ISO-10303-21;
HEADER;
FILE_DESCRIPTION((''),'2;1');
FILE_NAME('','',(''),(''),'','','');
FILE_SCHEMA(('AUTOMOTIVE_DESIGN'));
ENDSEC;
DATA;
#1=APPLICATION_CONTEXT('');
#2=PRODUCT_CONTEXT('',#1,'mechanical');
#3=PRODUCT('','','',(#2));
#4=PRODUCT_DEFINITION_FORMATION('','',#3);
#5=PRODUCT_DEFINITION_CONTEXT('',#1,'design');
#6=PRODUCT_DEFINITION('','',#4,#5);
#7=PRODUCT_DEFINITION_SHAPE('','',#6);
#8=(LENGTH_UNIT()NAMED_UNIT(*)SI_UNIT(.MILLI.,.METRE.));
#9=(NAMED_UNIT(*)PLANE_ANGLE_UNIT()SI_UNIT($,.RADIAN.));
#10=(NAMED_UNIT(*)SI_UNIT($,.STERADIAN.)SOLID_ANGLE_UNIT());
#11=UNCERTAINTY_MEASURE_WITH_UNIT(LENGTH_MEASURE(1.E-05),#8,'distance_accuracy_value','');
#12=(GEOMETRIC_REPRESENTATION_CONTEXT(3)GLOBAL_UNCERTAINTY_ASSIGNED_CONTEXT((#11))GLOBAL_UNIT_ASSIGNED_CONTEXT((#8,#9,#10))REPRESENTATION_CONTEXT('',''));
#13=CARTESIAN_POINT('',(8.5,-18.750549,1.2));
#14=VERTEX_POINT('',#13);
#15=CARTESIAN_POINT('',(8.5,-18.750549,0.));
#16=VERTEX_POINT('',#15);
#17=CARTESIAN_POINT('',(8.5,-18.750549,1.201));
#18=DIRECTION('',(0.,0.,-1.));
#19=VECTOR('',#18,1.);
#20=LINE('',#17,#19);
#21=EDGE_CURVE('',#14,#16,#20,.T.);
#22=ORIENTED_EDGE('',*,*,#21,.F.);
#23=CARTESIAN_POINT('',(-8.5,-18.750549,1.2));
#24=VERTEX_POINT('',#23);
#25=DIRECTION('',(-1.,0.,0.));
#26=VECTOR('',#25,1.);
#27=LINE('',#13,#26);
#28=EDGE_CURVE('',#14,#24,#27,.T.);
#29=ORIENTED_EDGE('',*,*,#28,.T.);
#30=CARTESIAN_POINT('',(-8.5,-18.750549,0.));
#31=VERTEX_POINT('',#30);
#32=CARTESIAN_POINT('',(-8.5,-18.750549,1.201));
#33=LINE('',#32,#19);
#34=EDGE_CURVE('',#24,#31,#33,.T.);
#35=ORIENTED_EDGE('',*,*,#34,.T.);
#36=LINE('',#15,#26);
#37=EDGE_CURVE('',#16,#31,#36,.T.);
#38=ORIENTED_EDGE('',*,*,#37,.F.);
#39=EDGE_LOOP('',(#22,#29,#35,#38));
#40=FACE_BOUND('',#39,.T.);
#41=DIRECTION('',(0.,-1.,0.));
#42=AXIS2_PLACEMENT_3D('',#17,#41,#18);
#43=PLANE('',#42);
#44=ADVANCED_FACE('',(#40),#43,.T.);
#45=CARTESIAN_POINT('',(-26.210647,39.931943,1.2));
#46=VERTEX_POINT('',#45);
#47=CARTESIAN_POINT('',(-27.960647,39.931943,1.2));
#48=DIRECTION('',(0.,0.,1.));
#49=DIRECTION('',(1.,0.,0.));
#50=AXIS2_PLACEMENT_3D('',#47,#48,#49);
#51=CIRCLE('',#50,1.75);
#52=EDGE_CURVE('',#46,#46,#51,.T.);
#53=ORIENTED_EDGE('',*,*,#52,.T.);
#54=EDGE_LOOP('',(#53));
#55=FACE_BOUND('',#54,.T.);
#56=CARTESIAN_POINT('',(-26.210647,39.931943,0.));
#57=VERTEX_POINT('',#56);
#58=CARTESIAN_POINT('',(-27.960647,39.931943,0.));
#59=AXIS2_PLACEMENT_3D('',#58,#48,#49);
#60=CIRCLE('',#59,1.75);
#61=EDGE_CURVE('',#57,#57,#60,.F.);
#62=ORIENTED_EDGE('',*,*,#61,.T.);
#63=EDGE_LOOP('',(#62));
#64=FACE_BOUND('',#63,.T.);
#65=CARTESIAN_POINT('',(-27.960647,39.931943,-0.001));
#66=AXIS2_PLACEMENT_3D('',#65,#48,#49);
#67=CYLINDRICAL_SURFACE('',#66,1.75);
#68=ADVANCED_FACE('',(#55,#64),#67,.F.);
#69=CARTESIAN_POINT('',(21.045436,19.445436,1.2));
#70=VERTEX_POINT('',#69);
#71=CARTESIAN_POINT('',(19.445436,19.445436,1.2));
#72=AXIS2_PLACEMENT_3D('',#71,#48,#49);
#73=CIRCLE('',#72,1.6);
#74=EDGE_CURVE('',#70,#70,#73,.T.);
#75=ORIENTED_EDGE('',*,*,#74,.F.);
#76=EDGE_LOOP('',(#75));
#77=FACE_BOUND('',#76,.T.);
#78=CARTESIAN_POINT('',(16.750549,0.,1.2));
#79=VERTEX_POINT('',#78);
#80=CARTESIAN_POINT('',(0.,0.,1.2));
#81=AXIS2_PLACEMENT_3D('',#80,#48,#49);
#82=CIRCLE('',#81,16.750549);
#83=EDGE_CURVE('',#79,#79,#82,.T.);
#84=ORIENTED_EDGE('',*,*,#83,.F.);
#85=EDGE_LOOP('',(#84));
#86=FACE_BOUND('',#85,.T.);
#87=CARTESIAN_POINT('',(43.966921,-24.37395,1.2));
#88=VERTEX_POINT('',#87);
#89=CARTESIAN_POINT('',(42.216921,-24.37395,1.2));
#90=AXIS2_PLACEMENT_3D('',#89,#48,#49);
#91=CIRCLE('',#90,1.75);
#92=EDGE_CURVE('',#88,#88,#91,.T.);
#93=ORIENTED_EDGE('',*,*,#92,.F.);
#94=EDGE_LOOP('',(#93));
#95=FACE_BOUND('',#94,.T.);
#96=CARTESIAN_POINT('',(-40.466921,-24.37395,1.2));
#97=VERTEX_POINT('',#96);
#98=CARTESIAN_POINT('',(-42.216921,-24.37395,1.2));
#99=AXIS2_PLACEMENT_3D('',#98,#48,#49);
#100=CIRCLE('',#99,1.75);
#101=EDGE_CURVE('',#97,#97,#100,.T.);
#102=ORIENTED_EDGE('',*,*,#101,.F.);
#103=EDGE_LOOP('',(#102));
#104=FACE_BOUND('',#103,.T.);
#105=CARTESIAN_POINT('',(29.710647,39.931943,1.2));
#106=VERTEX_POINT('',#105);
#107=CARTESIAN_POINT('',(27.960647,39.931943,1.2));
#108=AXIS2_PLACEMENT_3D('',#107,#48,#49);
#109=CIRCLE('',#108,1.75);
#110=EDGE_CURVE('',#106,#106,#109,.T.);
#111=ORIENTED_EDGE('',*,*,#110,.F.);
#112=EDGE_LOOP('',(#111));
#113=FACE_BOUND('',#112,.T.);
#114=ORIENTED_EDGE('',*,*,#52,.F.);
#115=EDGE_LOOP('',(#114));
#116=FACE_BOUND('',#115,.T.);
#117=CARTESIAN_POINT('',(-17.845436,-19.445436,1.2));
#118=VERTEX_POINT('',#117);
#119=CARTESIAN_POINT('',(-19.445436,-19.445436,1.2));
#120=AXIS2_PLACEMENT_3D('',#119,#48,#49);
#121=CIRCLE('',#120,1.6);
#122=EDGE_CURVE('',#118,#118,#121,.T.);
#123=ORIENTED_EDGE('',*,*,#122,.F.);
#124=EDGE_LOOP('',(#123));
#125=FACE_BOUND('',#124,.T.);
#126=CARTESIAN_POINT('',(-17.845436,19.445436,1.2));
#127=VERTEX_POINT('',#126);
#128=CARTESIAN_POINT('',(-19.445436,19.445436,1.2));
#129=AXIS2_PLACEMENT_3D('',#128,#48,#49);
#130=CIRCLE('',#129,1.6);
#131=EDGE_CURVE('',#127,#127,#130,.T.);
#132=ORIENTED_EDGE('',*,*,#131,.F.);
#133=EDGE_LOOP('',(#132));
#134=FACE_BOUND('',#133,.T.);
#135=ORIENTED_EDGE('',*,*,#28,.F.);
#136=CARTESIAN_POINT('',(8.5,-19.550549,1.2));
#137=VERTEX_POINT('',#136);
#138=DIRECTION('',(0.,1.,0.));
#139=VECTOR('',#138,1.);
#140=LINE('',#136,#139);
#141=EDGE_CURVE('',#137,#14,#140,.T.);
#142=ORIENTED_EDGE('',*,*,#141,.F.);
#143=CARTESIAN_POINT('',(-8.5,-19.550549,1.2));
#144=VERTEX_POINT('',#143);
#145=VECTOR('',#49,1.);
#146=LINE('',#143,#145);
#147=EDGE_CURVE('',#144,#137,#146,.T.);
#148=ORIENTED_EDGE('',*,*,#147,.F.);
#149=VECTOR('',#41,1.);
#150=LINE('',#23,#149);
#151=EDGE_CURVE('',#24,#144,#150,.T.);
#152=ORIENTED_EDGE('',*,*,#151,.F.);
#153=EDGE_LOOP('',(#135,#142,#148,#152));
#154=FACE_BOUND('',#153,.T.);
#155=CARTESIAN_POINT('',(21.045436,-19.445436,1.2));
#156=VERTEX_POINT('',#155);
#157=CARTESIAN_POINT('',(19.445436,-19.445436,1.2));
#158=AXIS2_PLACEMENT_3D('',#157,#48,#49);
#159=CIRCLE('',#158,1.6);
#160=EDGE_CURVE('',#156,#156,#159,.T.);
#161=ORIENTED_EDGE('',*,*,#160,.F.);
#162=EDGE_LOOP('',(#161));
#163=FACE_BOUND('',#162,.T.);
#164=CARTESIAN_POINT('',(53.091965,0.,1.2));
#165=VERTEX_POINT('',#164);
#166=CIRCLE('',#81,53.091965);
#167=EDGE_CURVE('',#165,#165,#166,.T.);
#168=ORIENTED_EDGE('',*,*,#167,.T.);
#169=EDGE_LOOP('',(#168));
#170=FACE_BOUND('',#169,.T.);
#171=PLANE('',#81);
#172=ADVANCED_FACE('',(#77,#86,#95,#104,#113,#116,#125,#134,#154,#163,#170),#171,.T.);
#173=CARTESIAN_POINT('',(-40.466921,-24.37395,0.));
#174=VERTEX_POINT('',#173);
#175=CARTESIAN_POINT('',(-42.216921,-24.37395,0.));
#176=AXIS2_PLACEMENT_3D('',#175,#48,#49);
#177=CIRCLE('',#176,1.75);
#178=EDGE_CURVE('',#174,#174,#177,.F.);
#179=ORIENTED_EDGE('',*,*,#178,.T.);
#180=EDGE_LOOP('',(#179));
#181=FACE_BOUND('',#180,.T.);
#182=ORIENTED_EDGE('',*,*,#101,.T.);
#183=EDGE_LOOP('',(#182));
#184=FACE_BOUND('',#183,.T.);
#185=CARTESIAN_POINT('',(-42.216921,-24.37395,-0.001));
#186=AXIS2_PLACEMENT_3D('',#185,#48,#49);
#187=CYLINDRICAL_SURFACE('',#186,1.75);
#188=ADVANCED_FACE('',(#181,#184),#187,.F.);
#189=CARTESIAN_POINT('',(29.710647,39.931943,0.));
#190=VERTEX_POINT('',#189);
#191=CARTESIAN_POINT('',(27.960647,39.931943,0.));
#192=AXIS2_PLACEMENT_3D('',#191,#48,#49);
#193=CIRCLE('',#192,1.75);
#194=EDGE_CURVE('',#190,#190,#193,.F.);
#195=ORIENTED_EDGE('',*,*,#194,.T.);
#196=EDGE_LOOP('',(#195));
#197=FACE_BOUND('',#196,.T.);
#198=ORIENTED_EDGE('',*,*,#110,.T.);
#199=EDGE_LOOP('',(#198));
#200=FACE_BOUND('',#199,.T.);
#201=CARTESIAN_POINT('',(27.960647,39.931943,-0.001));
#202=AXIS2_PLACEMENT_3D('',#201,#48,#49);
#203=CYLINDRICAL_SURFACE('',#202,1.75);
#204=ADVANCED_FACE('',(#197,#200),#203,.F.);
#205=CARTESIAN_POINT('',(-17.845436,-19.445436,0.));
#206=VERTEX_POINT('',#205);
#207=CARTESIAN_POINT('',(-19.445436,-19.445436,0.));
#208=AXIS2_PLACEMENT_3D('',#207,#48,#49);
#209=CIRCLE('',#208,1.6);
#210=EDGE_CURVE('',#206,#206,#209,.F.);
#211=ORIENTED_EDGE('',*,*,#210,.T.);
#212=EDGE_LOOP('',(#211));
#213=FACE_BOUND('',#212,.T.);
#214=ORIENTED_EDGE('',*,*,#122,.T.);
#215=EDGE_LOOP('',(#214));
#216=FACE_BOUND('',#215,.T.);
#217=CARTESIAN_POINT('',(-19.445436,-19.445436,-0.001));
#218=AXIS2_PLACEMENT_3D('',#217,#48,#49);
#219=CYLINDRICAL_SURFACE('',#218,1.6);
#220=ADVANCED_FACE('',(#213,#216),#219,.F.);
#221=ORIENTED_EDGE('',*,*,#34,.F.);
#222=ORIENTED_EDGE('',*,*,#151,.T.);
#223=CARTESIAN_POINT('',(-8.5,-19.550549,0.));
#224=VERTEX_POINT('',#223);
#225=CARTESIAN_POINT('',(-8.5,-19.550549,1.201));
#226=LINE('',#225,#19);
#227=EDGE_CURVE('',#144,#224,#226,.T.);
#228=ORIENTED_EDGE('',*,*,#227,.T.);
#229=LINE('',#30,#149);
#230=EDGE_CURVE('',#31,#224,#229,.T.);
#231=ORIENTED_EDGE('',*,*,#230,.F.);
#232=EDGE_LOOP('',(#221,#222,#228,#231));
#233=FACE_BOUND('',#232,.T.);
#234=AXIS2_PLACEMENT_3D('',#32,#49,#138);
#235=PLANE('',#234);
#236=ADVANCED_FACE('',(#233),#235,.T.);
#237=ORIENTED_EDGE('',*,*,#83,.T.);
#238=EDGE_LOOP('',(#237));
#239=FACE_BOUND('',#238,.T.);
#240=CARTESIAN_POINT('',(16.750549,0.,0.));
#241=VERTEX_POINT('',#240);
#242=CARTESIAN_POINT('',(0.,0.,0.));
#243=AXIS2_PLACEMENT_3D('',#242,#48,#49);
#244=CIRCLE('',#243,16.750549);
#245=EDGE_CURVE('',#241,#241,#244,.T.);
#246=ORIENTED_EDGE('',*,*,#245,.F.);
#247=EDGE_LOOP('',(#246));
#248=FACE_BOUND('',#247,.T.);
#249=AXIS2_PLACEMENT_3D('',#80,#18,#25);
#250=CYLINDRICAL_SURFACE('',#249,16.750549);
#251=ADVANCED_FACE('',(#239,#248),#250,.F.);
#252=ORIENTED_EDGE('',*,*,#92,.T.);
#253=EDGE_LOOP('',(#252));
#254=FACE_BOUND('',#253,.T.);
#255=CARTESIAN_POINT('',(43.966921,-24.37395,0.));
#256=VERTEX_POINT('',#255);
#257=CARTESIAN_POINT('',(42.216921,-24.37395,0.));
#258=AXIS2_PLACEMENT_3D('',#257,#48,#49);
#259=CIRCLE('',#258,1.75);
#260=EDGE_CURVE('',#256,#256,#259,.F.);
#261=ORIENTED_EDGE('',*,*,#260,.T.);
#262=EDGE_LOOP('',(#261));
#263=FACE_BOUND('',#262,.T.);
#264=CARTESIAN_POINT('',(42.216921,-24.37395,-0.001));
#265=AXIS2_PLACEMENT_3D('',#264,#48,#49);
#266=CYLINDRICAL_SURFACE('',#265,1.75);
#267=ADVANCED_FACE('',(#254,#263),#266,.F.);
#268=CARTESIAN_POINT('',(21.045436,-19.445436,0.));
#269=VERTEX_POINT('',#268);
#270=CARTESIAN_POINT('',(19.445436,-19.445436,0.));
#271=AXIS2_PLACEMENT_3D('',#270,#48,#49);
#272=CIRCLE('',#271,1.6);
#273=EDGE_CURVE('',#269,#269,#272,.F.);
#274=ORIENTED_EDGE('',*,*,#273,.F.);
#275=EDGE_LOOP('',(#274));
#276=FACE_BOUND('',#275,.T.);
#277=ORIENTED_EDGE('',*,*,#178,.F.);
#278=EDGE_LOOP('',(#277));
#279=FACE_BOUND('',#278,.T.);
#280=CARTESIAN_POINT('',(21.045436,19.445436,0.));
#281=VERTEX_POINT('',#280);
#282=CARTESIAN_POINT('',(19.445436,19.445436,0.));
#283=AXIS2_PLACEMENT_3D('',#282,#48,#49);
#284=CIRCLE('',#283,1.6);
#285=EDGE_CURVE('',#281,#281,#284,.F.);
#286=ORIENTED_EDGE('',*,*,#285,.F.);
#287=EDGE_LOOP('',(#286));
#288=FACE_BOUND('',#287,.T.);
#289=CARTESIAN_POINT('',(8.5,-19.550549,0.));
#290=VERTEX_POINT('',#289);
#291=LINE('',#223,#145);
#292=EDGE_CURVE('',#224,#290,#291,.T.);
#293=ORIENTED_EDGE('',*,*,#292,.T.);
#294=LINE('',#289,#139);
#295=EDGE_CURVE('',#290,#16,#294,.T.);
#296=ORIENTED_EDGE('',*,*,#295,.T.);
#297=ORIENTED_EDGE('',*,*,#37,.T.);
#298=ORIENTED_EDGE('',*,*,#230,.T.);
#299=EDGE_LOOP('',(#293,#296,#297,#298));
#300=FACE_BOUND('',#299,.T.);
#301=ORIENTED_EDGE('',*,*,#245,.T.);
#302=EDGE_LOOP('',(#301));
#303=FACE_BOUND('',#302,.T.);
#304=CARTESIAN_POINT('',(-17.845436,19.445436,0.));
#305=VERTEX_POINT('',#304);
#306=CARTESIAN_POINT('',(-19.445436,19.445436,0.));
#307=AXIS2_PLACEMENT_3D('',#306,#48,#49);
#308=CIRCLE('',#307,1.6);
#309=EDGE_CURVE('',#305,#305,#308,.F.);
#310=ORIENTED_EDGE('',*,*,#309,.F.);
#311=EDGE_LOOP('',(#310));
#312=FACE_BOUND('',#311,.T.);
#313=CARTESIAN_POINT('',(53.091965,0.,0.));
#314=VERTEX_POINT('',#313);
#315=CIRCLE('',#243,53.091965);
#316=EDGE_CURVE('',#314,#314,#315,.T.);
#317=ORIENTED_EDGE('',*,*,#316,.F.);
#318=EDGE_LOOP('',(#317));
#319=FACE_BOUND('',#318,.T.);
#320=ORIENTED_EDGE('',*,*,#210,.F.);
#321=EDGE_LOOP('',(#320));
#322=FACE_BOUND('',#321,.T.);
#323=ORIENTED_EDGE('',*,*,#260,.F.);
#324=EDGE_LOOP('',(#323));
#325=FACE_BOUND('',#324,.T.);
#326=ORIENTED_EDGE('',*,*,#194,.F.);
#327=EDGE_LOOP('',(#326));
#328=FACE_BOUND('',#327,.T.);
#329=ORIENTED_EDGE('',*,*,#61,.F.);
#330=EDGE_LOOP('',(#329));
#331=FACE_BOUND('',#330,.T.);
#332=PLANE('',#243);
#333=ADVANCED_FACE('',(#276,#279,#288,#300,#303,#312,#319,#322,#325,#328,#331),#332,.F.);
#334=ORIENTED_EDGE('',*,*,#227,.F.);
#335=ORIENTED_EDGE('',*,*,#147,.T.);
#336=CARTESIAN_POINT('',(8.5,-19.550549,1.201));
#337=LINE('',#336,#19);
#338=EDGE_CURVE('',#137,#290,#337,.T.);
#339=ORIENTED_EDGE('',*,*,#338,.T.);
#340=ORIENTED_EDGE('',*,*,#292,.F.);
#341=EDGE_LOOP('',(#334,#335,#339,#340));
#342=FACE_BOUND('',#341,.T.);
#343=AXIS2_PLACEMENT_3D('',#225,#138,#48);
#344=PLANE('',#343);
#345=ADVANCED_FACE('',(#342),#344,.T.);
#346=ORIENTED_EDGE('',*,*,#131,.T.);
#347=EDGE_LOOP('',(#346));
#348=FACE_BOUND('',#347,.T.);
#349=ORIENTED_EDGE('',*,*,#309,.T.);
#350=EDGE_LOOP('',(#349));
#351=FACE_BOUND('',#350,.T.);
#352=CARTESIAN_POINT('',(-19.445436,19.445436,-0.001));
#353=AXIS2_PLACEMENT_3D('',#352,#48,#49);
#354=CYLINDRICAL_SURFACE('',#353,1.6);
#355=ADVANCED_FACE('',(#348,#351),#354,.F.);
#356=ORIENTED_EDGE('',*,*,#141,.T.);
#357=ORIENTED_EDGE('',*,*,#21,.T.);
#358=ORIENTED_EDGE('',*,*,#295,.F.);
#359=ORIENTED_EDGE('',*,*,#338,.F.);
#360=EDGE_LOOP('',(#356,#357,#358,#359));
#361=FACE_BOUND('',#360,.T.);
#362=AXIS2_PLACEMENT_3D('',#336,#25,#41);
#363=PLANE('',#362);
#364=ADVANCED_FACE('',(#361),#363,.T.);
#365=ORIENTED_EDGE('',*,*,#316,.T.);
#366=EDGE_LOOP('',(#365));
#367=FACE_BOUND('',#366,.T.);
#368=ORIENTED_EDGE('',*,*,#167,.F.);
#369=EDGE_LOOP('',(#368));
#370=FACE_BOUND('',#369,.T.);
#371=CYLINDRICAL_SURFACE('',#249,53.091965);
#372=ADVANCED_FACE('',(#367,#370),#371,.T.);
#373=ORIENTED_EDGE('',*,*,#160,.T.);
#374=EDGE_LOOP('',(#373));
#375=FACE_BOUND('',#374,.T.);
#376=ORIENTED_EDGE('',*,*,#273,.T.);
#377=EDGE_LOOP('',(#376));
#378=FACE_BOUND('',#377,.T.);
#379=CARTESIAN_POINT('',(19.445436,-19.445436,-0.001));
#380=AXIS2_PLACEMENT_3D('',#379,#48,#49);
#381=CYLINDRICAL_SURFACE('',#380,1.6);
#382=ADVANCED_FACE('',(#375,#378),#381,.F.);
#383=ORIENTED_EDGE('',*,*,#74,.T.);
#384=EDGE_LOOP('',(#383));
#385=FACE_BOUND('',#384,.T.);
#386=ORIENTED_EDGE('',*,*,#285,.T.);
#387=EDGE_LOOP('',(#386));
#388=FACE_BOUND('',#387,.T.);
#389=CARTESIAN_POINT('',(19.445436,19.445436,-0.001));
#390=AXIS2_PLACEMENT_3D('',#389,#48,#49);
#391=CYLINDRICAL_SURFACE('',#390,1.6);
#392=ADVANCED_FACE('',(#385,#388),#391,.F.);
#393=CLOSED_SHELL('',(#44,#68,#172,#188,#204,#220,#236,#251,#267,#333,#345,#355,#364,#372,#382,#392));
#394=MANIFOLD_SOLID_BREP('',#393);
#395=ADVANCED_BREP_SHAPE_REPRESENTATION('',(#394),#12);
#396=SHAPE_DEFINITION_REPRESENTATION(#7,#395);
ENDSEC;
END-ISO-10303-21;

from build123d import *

# Parameters (mm, degrees)
SKETCH3_R              = 53.091965393
SKETCH3_R_2            = 16.75054858
PCB_DEPTH              = 1.2
MAST_REACH             = 77.093
SKETCH5_R              = 1.6
ENCLOSURE_SCREWS_REACH = 77.093
SKETCH6_R              = 1.75
FLEX_CABLE_REACH       = 77.093
SKETCH9_W              = 17
SKETCH9_H              = 0.8


with BuildPart() as part:
    # Sketch3 → PCB (new body)
    with BuildSketch(Plane.XY):
        Circle(SKETCH3_R)
        Circle(SKETCH3_R_2, mode=Mode.SUBTRACT)
    extrude(amount=PCB_DEPTH)

    # Sketch5 → Mast (cut, up to next)
    with BuildSketch(Plane.XY.offset(1.2), mode=Mode.PRIVATE) as mast_sk1:
        with Locations((-19.445436483, -19.445436483)):
            Circle(SKETCH5_R)
    mast_tool1 = extrude(mast_sk1.sketch, amount=-MAST_REACH, mode=Mode.PRIVATE) & part.part
    # Sketch5 → Mast (cut, up to next)
    with BuildSketch(Plane.XY.offset(1.2), mode=Mode.PRIVATE) as mast_sk2:
        with Locations((-19.445436483, 19.445436483)):
            Circle(SKETCH5_R)
    mast_tool2 = extrude(mast_sk2.sketch, amount=-MAST_REACH, mode=Mode.PRIVATE) & part.part
    # Sketch5 → Mast (cut, up to next)
    with BuildSketch(Plane.XY.offset(1.2), mode=Mode.PRIVATE) as mast_sk3:
        with Locations((19.445436483, 19.445436483)):
            Circle(SKETCH5_R)
    mast_tool3 = extrude(mast_sk3.sketch, amount=-MAST_REACH, mode=Mode.PRIVATE) & part.part
    # Sketch5 → Mast (cut, up to next)
    with BuildSketch(Plane.XY.offset(1.2), mode=Mode.PRIVATE) as mast_sk4:
        with Locations((19.445436483, -19.445436483)):
            Circle(SKETCH5_R)
    mast_tool4 = extrude(mast_sk4.sketch, amount=-MAST_REACH, mode=Mode.PRIVATE) & part.part
    add(mast_tool1.solids().sort_by_distance((-19.445436, -19.445436, 1.2))[0], mode=Mode.SUBTRACT)
    add(mast_tool2.solids().sort_by_distance((-19.445436, 19.445436, 1.2))[0], mode=Mode.SUBTRACT)
    add(mast_tool3.solids().sort_by_distance((19.445436, 19.445436, 1.2))[0], mode=Mode.SUBTRACT)
    add(mast_tool4.solids().sort_by_distance((19.445436, -19.445436, 1.2))[0], mode=Mode.SUBTRACT)

    # Sketch6 → Enclosure screws (cut, up to next)
    with BuildSketch(Plane.XY.offset(1.2), mode=Mode.PRIVATE) as enclosure_screws_sk1:
        with Locations((27.960647328, 39.931942749)):
            Circle(SKETCH6_R)
    enclosure_screws_tool1 = extrude(enclosure_screws_sk1.sketch, amount=-ENCLOSURE_SCREWS_REACH, mode=Mode.PRIVATE) & part.part
    # Sketch6 → Enclosure screws (cut, up to next)
    with BuildSketch(Plane.XY.offset(1.2), mode=Mode.PRIVATE) as enclosure_screws_sk2:
        with Locations((42.216920637, -24.373950494)):
            Circle(SKETCH6_R)
    enclosure_screws_tool2 = extrude(enclosure_screws_sk2.sketch, amount=-ENCLOSURE_SCREWS_REACH, mode=Mode.PRIVATE) & part.part
    # Sketch6 → Enclosure screws (cut, up to next)
    with BuildSketch(Plane.XY.offset(1.2), mode=Mode.PRIVATE) as enclosure_screws_sk3:
        with Locations((-42.216920637, -24.373950494)):
            Circle(SKETCH6_R)
    enclosure_screws_tool3 = extrude(enclosure_screws_sk3.sketch, amount=-ENCLOSURE_SCREWS_REACH, mode=Mode.PRIVATE) & part.part
    # Sketch6 → Enclosure screws (cut, up to next)
    with BuildSketch(Plane.XY.offset(1.2), mode=Mode.PRIVATE) as enclosure_screws_sk4:
        with Locations((-27.960647328, 39.931942749)):
            Circle(SKETCH6_R)
    enclosure_screws_tool4 = extrude(enclosure_screws_sk4.sketch, amount=-ENCLOSURE_SCREWS_REACH, mode=Mode.PRIVATE) & part.part
    add(enclosure_screws_tool1.solids().sort_by_distance((27.960647, 39.931943, 1.2))[0], mode=Mode.SUBTRACT)
    add(enclosure_screws_tool2.solids().sort_by_distance((42.216921, -24.37395, 1.2))[0], mode=Mode.SUBTRACT)
    add(enclosure_screws_tool3.solids().sort_by_distance((-42.216921, -24.37395, 1.2))[0], mode=Mode.SUBTRACT)
    add(enclosure_screws_tool4.solids().sort_by_distance((-27.960647, 39.931943, 1.2))[0], mode=Mode.SUBTRACT)

    # Sketch9 → Flex cable (cut, up to next)
    with BuildSketch(Plane.XY, mode=Mode.PRIVATE) as flex_cable_sk1:
        with Locations((0, -19.15054858)):
            Rectangle(SKETCH9_W, SKETCH9_H)
    flex_cable_tool1 = extrude(flex_cable_sk1.sketch, amount=FLEX_CABLE_REACH, mode=Mode.PRIVATE) & part.part
    add(flex_cable_tool1.solids().sort_by_distance((0, -19.150549, 0))[0], mode=Mode.SUBTRACT)


solid = part.part
